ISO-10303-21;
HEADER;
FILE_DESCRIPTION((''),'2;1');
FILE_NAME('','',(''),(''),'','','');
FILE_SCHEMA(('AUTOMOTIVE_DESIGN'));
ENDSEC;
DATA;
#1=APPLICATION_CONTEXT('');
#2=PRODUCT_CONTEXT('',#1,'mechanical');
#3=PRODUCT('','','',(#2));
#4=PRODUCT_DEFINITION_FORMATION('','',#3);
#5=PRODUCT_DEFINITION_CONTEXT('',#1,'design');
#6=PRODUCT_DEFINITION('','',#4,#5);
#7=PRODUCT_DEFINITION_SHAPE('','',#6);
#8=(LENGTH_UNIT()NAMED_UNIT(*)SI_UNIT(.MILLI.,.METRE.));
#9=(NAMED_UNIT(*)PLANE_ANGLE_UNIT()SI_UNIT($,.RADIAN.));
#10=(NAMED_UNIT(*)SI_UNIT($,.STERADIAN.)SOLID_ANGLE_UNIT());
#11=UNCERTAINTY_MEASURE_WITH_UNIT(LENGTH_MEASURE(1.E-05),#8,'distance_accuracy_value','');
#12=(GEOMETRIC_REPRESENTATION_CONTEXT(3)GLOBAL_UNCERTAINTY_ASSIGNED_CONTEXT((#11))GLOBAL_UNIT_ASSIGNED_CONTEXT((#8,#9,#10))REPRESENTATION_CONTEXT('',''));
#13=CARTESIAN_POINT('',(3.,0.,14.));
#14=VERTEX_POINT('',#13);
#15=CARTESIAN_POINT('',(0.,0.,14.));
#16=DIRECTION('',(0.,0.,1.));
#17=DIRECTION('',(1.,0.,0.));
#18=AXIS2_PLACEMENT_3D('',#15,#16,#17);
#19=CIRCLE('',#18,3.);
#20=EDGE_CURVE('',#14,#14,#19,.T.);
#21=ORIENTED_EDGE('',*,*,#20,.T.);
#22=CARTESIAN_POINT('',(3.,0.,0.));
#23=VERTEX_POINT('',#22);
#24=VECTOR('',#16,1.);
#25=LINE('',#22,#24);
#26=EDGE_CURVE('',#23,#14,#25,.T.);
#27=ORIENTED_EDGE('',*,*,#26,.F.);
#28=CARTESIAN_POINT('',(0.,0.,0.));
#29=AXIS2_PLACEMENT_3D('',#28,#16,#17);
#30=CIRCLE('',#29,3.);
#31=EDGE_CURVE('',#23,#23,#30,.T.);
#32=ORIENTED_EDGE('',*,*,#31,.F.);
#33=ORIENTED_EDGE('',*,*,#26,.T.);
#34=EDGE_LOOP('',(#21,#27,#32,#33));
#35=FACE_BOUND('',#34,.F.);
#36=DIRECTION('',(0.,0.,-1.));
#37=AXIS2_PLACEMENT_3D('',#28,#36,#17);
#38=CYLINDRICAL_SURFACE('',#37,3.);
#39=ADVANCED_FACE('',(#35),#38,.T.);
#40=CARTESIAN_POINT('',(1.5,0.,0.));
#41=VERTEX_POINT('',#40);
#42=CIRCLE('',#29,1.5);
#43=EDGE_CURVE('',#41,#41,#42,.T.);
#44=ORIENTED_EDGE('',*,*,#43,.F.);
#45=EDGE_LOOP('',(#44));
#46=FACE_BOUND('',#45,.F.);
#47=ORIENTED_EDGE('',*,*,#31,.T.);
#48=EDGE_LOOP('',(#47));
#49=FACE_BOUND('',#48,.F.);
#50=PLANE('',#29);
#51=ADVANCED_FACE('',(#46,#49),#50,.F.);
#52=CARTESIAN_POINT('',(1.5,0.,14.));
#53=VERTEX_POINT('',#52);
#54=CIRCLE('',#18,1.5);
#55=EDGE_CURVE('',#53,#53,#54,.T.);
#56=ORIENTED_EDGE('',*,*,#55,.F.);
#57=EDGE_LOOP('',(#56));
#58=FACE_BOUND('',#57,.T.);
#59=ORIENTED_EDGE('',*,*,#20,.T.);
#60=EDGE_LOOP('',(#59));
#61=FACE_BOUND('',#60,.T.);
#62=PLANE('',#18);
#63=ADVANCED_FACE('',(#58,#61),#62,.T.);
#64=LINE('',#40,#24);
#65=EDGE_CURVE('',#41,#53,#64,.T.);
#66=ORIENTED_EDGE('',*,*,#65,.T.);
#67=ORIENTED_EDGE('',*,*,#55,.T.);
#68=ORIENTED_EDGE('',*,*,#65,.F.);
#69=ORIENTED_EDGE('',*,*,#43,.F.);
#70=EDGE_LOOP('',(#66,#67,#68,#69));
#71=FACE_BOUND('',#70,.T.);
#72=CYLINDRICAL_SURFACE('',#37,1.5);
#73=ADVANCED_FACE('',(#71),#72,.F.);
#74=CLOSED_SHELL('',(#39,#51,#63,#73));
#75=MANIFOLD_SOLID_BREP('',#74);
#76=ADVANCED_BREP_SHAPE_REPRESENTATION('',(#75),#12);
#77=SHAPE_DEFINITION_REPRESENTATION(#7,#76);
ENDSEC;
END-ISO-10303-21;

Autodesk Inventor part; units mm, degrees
ref_plane "YZ Plane" through (0, 0, 0) normal (1, 0, 0) x (0, 1, 0)
ref_plane "XZ Plane" through (0, 0, 0) normal (0, 1, 0) x (-1, 0, 0)
ref_plane "XY Plane" through (0, 0, 0) normal (0, 0, 1) x (1, 0, 0)
sketch "スケッチ1" plane through (0, 0, 0) normal (0, 0, 1) x (1, 0, 0)
  circle A0 centre (0, 0) radius 3
  circle A1 centre (0, 0) radius 1.5
  dimension "d0" = 6
  dimension "d1" = 3
extrude "押し出し1" add sketch "スケッチ1" along normal blind 14
properties part number "スペーサーm3,14" material "アルミニウム 7075"
